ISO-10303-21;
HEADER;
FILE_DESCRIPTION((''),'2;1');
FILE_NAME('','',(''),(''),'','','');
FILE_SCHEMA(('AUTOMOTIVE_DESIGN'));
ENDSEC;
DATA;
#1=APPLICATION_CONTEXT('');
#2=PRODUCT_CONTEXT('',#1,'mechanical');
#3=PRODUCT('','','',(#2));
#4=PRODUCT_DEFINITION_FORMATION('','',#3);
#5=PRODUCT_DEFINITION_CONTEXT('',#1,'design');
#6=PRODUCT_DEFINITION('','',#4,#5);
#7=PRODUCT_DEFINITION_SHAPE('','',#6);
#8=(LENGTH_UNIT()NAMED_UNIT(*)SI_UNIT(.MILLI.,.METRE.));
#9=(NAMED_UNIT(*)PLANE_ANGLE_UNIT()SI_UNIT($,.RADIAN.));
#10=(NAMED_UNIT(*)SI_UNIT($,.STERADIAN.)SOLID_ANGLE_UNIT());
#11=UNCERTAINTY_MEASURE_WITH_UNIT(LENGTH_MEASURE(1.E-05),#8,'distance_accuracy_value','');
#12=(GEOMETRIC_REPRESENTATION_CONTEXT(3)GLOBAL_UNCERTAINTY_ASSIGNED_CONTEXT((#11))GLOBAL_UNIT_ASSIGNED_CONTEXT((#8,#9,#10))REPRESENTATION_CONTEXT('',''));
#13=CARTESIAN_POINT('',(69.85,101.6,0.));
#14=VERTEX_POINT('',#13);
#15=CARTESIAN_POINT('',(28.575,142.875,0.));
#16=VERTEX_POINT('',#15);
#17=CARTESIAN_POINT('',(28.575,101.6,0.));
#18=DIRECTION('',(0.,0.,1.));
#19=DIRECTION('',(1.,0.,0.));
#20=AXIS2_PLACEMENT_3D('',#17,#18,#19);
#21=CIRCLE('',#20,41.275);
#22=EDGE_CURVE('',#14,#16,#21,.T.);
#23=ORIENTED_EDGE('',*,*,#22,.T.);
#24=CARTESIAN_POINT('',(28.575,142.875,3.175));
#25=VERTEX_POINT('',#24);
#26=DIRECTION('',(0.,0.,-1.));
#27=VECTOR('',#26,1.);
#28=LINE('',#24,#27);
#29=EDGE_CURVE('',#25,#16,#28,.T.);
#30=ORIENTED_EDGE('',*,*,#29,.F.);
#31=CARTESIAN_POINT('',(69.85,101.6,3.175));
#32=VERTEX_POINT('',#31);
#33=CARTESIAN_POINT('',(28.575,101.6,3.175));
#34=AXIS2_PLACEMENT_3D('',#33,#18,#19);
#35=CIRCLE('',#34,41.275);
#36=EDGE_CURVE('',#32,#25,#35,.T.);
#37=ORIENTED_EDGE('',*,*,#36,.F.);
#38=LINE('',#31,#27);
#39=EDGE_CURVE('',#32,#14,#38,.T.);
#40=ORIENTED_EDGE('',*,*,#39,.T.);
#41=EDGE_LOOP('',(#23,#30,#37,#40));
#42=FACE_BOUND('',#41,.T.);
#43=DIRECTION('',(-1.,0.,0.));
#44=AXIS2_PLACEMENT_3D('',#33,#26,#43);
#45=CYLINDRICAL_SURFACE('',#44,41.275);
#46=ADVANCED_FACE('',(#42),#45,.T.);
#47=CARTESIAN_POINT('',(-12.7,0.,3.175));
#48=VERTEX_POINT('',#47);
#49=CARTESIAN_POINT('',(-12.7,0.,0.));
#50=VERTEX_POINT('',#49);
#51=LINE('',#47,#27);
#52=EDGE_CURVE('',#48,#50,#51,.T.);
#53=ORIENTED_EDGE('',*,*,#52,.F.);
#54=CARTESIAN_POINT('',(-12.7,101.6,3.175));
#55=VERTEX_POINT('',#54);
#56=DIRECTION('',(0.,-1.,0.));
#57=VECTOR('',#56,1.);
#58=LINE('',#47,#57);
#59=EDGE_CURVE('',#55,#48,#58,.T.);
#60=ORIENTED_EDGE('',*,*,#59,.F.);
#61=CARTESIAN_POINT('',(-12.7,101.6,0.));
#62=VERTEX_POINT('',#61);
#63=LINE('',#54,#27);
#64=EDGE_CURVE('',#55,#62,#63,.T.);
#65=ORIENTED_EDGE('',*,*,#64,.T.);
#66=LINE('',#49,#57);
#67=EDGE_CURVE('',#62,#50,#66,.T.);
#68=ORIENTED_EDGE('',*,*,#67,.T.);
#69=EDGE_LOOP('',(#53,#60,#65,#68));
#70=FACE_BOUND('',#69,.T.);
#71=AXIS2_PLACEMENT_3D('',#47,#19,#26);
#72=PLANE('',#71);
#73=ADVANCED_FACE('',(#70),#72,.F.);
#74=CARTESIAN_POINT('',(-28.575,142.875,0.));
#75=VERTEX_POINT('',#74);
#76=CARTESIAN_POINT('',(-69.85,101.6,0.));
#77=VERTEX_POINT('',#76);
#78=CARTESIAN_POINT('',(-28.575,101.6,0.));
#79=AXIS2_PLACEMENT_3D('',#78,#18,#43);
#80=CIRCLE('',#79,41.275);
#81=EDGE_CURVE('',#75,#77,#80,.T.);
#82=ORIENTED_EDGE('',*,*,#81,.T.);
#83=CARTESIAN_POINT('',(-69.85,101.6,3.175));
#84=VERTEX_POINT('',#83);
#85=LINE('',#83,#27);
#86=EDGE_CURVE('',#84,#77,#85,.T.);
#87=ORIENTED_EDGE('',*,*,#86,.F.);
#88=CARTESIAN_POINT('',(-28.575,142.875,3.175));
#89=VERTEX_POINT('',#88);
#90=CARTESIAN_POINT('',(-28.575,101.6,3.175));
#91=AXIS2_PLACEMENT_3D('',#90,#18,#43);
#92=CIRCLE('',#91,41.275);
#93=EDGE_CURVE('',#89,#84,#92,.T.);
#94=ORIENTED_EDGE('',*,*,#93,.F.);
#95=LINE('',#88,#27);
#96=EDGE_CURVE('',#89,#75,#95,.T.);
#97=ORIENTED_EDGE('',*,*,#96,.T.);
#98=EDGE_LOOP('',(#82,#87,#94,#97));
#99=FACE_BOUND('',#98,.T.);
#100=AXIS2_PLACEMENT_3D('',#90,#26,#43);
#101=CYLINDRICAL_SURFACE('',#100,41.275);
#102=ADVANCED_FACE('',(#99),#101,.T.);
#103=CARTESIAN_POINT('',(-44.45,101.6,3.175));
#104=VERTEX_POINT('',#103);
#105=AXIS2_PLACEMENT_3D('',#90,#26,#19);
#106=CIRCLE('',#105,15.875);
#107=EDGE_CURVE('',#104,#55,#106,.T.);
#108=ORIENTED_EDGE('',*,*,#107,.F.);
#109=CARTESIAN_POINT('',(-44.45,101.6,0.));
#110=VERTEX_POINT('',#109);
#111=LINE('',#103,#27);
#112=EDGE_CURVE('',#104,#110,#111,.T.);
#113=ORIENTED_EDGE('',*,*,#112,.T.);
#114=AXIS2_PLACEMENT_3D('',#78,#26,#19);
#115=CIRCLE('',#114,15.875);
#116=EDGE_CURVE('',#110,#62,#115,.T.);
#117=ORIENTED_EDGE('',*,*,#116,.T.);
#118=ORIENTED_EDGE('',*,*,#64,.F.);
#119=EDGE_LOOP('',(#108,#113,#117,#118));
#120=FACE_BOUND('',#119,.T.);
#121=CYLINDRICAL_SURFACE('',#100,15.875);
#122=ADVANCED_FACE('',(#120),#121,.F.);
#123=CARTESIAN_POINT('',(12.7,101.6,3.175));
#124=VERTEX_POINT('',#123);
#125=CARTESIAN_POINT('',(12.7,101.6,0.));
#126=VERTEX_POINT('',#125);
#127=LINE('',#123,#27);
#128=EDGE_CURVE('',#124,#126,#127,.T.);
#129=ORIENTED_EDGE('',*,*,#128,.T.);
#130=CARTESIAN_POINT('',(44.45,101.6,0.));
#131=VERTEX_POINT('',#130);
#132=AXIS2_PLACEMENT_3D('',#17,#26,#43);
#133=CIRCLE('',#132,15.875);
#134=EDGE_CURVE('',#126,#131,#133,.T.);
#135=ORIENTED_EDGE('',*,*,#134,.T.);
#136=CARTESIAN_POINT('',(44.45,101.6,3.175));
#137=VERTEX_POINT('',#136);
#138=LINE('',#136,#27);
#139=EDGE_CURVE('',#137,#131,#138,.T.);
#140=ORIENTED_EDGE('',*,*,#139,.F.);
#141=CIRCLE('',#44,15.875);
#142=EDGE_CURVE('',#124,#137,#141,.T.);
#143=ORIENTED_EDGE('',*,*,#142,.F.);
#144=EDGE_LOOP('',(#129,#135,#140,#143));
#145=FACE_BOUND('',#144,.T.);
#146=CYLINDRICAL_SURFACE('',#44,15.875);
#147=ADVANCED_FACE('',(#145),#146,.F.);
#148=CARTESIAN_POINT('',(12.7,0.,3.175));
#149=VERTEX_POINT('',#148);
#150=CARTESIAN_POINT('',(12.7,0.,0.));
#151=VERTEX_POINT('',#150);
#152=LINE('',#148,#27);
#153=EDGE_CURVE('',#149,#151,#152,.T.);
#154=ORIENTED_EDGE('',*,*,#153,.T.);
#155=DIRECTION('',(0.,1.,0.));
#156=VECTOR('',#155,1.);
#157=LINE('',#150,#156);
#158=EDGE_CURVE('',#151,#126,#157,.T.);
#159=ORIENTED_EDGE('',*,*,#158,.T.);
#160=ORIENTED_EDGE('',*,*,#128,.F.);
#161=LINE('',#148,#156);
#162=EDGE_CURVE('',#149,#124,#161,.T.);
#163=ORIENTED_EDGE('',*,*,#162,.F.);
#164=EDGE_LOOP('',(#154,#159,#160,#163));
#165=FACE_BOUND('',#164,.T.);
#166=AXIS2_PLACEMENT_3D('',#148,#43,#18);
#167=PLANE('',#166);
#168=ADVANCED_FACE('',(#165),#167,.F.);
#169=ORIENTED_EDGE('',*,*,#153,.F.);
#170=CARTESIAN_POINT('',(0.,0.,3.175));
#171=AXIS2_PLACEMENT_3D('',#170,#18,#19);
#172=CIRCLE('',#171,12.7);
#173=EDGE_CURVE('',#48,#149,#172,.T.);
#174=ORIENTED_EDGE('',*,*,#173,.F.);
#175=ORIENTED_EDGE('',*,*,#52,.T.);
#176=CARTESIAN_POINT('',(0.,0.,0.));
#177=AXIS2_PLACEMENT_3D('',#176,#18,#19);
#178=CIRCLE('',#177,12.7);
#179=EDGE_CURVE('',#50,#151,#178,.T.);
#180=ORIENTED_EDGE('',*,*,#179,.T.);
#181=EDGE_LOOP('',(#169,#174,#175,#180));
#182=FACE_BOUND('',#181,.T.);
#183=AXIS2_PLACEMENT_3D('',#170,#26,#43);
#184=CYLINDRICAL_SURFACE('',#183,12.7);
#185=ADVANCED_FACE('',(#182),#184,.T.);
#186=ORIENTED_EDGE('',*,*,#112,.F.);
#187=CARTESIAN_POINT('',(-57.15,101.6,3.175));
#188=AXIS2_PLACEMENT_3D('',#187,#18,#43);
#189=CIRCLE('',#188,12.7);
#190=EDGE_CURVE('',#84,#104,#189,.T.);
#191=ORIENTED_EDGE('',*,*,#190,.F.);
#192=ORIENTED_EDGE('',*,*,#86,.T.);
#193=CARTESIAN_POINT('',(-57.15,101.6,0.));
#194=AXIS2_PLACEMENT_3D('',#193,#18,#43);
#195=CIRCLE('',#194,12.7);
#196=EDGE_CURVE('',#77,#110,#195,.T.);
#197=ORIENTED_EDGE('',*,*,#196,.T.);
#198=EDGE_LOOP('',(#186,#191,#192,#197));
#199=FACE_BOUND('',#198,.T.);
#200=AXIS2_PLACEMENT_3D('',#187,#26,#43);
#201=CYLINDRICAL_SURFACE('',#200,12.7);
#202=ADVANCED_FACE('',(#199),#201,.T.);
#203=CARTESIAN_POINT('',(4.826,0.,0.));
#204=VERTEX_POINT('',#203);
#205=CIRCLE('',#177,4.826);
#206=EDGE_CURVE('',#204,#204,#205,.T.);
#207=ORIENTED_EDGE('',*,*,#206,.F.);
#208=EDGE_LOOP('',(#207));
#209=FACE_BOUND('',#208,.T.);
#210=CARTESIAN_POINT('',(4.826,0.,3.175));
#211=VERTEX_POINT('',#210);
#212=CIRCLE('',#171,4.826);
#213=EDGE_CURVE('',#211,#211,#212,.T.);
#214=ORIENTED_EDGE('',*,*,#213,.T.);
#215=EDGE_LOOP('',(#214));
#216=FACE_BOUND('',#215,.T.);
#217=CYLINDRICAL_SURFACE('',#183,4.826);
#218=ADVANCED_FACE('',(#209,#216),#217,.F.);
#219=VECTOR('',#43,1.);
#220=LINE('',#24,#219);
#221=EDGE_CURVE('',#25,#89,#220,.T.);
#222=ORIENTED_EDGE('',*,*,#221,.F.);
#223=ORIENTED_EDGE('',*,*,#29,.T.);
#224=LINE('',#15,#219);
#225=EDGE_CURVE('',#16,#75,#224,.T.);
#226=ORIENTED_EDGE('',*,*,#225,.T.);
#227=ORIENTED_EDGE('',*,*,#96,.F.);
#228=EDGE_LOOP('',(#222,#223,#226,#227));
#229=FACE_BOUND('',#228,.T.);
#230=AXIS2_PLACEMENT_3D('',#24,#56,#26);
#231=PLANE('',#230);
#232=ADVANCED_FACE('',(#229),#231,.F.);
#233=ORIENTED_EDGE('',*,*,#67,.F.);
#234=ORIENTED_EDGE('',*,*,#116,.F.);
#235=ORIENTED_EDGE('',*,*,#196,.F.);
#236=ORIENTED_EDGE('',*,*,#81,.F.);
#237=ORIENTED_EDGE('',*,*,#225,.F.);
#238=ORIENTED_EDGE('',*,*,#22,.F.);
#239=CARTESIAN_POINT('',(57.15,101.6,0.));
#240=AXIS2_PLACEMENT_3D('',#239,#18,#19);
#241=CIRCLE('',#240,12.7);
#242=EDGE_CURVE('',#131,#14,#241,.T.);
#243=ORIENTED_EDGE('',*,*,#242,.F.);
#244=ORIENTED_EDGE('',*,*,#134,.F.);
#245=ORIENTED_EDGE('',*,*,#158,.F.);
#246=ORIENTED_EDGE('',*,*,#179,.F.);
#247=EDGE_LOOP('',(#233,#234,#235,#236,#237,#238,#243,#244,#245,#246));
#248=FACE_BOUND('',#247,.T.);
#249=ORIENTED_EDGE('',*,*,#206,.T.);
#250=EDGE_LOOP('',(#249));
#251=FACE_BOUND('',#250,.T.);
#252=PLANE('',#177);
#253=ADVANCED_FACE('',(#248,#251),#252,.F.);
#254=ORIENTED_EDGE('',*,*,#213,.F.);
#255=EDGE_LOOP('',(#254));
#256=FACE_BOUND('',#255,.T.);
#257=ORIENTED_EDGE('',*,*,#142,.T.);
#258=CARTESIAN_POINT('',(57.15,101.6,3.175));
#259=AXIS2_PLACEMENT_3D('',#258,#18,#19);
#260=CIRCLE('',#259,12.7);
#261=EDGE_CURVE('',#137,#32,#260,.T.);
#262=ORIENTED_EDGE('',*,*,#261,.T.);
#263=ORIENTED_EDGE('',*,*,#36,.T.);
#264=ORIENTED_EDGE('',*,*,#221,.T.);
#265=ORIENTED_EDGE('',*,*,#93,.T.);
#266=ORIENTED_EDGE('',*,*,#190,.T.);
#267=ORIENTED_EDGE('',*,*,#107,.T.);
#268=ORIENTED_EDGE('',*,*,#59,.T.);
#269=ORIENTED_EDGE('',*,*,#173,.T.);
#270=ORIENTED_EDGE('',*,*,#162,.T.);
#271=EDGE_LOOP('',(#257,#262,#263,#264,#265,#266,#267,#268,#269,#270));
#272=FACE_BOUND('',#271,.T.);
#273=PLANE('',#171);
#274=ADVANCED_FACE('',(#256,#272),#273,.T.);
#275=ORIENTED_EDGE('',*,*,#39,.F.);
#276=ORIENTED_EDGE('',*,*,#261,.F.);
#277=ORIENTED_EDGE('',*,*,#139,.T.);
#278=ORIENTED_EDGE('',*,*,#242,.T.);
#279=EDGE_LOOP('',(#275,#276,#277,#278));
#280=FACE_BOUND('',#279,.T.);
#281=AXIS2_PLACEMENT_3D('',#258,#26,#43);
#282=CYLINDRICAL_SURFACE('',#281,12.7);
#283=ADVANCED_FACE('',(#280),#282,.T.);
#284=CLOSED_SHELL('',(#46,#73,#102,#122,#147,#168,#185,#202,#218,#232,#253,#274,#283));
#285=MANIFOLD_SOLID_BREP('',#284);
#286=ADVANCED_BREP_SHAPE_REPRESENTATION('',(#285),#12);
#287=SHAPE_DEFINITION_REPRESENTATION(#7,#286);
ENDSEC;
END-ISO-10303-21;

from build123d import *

# Parameters (mm, degrees)
SKETCH1_R           = 4.826
BOSS_EXTRUDE2_DEPTH = 3.175


with BuildPart() as part:
    # Sketch1 → Boss-Extrude2 (new body)
    with BuildSketch(Plane.XY):
        with BuildLine():
            Line((12.7, 0), (12.7, 101.6))
            ThreePointArc((12.7, 101.6), (28.575, 117.475), (44.45, 101.6))
            ThreePointArc((44.45, 101.6), (57.15, 88.9), (69.85, 101.6))
            ThreePointArc((69.85, 101.6), (57.760832393, 130.785832393), (28.575, 142.875))
            Line((28.575, 142.875), (-28.575, 142.875))
            ThreePointArc((-28.575, 142.875), (-57.760832393, 130.785832393), (-69.85, 101.6))
            ThreePointArc((-69.85, 101.6), (-57.15, 88.9), (-44.45, 101.6))
            ThreePointArc((-44.45, 101.6), (-28.575, 117.475), (-12.7, 101.6))
            Line((-12.7, 101.6), (-12.7, 0))
            ThreePointArc((-12.7, 0), (0, -12.7), (12.7, 0))
        make_face()
        Circle(SKETCH1_R, mode=Mode.SUBTRACT)
    extrude(amount=BOSS_EXTRUDE2_DEPTH)


solid = part.part
